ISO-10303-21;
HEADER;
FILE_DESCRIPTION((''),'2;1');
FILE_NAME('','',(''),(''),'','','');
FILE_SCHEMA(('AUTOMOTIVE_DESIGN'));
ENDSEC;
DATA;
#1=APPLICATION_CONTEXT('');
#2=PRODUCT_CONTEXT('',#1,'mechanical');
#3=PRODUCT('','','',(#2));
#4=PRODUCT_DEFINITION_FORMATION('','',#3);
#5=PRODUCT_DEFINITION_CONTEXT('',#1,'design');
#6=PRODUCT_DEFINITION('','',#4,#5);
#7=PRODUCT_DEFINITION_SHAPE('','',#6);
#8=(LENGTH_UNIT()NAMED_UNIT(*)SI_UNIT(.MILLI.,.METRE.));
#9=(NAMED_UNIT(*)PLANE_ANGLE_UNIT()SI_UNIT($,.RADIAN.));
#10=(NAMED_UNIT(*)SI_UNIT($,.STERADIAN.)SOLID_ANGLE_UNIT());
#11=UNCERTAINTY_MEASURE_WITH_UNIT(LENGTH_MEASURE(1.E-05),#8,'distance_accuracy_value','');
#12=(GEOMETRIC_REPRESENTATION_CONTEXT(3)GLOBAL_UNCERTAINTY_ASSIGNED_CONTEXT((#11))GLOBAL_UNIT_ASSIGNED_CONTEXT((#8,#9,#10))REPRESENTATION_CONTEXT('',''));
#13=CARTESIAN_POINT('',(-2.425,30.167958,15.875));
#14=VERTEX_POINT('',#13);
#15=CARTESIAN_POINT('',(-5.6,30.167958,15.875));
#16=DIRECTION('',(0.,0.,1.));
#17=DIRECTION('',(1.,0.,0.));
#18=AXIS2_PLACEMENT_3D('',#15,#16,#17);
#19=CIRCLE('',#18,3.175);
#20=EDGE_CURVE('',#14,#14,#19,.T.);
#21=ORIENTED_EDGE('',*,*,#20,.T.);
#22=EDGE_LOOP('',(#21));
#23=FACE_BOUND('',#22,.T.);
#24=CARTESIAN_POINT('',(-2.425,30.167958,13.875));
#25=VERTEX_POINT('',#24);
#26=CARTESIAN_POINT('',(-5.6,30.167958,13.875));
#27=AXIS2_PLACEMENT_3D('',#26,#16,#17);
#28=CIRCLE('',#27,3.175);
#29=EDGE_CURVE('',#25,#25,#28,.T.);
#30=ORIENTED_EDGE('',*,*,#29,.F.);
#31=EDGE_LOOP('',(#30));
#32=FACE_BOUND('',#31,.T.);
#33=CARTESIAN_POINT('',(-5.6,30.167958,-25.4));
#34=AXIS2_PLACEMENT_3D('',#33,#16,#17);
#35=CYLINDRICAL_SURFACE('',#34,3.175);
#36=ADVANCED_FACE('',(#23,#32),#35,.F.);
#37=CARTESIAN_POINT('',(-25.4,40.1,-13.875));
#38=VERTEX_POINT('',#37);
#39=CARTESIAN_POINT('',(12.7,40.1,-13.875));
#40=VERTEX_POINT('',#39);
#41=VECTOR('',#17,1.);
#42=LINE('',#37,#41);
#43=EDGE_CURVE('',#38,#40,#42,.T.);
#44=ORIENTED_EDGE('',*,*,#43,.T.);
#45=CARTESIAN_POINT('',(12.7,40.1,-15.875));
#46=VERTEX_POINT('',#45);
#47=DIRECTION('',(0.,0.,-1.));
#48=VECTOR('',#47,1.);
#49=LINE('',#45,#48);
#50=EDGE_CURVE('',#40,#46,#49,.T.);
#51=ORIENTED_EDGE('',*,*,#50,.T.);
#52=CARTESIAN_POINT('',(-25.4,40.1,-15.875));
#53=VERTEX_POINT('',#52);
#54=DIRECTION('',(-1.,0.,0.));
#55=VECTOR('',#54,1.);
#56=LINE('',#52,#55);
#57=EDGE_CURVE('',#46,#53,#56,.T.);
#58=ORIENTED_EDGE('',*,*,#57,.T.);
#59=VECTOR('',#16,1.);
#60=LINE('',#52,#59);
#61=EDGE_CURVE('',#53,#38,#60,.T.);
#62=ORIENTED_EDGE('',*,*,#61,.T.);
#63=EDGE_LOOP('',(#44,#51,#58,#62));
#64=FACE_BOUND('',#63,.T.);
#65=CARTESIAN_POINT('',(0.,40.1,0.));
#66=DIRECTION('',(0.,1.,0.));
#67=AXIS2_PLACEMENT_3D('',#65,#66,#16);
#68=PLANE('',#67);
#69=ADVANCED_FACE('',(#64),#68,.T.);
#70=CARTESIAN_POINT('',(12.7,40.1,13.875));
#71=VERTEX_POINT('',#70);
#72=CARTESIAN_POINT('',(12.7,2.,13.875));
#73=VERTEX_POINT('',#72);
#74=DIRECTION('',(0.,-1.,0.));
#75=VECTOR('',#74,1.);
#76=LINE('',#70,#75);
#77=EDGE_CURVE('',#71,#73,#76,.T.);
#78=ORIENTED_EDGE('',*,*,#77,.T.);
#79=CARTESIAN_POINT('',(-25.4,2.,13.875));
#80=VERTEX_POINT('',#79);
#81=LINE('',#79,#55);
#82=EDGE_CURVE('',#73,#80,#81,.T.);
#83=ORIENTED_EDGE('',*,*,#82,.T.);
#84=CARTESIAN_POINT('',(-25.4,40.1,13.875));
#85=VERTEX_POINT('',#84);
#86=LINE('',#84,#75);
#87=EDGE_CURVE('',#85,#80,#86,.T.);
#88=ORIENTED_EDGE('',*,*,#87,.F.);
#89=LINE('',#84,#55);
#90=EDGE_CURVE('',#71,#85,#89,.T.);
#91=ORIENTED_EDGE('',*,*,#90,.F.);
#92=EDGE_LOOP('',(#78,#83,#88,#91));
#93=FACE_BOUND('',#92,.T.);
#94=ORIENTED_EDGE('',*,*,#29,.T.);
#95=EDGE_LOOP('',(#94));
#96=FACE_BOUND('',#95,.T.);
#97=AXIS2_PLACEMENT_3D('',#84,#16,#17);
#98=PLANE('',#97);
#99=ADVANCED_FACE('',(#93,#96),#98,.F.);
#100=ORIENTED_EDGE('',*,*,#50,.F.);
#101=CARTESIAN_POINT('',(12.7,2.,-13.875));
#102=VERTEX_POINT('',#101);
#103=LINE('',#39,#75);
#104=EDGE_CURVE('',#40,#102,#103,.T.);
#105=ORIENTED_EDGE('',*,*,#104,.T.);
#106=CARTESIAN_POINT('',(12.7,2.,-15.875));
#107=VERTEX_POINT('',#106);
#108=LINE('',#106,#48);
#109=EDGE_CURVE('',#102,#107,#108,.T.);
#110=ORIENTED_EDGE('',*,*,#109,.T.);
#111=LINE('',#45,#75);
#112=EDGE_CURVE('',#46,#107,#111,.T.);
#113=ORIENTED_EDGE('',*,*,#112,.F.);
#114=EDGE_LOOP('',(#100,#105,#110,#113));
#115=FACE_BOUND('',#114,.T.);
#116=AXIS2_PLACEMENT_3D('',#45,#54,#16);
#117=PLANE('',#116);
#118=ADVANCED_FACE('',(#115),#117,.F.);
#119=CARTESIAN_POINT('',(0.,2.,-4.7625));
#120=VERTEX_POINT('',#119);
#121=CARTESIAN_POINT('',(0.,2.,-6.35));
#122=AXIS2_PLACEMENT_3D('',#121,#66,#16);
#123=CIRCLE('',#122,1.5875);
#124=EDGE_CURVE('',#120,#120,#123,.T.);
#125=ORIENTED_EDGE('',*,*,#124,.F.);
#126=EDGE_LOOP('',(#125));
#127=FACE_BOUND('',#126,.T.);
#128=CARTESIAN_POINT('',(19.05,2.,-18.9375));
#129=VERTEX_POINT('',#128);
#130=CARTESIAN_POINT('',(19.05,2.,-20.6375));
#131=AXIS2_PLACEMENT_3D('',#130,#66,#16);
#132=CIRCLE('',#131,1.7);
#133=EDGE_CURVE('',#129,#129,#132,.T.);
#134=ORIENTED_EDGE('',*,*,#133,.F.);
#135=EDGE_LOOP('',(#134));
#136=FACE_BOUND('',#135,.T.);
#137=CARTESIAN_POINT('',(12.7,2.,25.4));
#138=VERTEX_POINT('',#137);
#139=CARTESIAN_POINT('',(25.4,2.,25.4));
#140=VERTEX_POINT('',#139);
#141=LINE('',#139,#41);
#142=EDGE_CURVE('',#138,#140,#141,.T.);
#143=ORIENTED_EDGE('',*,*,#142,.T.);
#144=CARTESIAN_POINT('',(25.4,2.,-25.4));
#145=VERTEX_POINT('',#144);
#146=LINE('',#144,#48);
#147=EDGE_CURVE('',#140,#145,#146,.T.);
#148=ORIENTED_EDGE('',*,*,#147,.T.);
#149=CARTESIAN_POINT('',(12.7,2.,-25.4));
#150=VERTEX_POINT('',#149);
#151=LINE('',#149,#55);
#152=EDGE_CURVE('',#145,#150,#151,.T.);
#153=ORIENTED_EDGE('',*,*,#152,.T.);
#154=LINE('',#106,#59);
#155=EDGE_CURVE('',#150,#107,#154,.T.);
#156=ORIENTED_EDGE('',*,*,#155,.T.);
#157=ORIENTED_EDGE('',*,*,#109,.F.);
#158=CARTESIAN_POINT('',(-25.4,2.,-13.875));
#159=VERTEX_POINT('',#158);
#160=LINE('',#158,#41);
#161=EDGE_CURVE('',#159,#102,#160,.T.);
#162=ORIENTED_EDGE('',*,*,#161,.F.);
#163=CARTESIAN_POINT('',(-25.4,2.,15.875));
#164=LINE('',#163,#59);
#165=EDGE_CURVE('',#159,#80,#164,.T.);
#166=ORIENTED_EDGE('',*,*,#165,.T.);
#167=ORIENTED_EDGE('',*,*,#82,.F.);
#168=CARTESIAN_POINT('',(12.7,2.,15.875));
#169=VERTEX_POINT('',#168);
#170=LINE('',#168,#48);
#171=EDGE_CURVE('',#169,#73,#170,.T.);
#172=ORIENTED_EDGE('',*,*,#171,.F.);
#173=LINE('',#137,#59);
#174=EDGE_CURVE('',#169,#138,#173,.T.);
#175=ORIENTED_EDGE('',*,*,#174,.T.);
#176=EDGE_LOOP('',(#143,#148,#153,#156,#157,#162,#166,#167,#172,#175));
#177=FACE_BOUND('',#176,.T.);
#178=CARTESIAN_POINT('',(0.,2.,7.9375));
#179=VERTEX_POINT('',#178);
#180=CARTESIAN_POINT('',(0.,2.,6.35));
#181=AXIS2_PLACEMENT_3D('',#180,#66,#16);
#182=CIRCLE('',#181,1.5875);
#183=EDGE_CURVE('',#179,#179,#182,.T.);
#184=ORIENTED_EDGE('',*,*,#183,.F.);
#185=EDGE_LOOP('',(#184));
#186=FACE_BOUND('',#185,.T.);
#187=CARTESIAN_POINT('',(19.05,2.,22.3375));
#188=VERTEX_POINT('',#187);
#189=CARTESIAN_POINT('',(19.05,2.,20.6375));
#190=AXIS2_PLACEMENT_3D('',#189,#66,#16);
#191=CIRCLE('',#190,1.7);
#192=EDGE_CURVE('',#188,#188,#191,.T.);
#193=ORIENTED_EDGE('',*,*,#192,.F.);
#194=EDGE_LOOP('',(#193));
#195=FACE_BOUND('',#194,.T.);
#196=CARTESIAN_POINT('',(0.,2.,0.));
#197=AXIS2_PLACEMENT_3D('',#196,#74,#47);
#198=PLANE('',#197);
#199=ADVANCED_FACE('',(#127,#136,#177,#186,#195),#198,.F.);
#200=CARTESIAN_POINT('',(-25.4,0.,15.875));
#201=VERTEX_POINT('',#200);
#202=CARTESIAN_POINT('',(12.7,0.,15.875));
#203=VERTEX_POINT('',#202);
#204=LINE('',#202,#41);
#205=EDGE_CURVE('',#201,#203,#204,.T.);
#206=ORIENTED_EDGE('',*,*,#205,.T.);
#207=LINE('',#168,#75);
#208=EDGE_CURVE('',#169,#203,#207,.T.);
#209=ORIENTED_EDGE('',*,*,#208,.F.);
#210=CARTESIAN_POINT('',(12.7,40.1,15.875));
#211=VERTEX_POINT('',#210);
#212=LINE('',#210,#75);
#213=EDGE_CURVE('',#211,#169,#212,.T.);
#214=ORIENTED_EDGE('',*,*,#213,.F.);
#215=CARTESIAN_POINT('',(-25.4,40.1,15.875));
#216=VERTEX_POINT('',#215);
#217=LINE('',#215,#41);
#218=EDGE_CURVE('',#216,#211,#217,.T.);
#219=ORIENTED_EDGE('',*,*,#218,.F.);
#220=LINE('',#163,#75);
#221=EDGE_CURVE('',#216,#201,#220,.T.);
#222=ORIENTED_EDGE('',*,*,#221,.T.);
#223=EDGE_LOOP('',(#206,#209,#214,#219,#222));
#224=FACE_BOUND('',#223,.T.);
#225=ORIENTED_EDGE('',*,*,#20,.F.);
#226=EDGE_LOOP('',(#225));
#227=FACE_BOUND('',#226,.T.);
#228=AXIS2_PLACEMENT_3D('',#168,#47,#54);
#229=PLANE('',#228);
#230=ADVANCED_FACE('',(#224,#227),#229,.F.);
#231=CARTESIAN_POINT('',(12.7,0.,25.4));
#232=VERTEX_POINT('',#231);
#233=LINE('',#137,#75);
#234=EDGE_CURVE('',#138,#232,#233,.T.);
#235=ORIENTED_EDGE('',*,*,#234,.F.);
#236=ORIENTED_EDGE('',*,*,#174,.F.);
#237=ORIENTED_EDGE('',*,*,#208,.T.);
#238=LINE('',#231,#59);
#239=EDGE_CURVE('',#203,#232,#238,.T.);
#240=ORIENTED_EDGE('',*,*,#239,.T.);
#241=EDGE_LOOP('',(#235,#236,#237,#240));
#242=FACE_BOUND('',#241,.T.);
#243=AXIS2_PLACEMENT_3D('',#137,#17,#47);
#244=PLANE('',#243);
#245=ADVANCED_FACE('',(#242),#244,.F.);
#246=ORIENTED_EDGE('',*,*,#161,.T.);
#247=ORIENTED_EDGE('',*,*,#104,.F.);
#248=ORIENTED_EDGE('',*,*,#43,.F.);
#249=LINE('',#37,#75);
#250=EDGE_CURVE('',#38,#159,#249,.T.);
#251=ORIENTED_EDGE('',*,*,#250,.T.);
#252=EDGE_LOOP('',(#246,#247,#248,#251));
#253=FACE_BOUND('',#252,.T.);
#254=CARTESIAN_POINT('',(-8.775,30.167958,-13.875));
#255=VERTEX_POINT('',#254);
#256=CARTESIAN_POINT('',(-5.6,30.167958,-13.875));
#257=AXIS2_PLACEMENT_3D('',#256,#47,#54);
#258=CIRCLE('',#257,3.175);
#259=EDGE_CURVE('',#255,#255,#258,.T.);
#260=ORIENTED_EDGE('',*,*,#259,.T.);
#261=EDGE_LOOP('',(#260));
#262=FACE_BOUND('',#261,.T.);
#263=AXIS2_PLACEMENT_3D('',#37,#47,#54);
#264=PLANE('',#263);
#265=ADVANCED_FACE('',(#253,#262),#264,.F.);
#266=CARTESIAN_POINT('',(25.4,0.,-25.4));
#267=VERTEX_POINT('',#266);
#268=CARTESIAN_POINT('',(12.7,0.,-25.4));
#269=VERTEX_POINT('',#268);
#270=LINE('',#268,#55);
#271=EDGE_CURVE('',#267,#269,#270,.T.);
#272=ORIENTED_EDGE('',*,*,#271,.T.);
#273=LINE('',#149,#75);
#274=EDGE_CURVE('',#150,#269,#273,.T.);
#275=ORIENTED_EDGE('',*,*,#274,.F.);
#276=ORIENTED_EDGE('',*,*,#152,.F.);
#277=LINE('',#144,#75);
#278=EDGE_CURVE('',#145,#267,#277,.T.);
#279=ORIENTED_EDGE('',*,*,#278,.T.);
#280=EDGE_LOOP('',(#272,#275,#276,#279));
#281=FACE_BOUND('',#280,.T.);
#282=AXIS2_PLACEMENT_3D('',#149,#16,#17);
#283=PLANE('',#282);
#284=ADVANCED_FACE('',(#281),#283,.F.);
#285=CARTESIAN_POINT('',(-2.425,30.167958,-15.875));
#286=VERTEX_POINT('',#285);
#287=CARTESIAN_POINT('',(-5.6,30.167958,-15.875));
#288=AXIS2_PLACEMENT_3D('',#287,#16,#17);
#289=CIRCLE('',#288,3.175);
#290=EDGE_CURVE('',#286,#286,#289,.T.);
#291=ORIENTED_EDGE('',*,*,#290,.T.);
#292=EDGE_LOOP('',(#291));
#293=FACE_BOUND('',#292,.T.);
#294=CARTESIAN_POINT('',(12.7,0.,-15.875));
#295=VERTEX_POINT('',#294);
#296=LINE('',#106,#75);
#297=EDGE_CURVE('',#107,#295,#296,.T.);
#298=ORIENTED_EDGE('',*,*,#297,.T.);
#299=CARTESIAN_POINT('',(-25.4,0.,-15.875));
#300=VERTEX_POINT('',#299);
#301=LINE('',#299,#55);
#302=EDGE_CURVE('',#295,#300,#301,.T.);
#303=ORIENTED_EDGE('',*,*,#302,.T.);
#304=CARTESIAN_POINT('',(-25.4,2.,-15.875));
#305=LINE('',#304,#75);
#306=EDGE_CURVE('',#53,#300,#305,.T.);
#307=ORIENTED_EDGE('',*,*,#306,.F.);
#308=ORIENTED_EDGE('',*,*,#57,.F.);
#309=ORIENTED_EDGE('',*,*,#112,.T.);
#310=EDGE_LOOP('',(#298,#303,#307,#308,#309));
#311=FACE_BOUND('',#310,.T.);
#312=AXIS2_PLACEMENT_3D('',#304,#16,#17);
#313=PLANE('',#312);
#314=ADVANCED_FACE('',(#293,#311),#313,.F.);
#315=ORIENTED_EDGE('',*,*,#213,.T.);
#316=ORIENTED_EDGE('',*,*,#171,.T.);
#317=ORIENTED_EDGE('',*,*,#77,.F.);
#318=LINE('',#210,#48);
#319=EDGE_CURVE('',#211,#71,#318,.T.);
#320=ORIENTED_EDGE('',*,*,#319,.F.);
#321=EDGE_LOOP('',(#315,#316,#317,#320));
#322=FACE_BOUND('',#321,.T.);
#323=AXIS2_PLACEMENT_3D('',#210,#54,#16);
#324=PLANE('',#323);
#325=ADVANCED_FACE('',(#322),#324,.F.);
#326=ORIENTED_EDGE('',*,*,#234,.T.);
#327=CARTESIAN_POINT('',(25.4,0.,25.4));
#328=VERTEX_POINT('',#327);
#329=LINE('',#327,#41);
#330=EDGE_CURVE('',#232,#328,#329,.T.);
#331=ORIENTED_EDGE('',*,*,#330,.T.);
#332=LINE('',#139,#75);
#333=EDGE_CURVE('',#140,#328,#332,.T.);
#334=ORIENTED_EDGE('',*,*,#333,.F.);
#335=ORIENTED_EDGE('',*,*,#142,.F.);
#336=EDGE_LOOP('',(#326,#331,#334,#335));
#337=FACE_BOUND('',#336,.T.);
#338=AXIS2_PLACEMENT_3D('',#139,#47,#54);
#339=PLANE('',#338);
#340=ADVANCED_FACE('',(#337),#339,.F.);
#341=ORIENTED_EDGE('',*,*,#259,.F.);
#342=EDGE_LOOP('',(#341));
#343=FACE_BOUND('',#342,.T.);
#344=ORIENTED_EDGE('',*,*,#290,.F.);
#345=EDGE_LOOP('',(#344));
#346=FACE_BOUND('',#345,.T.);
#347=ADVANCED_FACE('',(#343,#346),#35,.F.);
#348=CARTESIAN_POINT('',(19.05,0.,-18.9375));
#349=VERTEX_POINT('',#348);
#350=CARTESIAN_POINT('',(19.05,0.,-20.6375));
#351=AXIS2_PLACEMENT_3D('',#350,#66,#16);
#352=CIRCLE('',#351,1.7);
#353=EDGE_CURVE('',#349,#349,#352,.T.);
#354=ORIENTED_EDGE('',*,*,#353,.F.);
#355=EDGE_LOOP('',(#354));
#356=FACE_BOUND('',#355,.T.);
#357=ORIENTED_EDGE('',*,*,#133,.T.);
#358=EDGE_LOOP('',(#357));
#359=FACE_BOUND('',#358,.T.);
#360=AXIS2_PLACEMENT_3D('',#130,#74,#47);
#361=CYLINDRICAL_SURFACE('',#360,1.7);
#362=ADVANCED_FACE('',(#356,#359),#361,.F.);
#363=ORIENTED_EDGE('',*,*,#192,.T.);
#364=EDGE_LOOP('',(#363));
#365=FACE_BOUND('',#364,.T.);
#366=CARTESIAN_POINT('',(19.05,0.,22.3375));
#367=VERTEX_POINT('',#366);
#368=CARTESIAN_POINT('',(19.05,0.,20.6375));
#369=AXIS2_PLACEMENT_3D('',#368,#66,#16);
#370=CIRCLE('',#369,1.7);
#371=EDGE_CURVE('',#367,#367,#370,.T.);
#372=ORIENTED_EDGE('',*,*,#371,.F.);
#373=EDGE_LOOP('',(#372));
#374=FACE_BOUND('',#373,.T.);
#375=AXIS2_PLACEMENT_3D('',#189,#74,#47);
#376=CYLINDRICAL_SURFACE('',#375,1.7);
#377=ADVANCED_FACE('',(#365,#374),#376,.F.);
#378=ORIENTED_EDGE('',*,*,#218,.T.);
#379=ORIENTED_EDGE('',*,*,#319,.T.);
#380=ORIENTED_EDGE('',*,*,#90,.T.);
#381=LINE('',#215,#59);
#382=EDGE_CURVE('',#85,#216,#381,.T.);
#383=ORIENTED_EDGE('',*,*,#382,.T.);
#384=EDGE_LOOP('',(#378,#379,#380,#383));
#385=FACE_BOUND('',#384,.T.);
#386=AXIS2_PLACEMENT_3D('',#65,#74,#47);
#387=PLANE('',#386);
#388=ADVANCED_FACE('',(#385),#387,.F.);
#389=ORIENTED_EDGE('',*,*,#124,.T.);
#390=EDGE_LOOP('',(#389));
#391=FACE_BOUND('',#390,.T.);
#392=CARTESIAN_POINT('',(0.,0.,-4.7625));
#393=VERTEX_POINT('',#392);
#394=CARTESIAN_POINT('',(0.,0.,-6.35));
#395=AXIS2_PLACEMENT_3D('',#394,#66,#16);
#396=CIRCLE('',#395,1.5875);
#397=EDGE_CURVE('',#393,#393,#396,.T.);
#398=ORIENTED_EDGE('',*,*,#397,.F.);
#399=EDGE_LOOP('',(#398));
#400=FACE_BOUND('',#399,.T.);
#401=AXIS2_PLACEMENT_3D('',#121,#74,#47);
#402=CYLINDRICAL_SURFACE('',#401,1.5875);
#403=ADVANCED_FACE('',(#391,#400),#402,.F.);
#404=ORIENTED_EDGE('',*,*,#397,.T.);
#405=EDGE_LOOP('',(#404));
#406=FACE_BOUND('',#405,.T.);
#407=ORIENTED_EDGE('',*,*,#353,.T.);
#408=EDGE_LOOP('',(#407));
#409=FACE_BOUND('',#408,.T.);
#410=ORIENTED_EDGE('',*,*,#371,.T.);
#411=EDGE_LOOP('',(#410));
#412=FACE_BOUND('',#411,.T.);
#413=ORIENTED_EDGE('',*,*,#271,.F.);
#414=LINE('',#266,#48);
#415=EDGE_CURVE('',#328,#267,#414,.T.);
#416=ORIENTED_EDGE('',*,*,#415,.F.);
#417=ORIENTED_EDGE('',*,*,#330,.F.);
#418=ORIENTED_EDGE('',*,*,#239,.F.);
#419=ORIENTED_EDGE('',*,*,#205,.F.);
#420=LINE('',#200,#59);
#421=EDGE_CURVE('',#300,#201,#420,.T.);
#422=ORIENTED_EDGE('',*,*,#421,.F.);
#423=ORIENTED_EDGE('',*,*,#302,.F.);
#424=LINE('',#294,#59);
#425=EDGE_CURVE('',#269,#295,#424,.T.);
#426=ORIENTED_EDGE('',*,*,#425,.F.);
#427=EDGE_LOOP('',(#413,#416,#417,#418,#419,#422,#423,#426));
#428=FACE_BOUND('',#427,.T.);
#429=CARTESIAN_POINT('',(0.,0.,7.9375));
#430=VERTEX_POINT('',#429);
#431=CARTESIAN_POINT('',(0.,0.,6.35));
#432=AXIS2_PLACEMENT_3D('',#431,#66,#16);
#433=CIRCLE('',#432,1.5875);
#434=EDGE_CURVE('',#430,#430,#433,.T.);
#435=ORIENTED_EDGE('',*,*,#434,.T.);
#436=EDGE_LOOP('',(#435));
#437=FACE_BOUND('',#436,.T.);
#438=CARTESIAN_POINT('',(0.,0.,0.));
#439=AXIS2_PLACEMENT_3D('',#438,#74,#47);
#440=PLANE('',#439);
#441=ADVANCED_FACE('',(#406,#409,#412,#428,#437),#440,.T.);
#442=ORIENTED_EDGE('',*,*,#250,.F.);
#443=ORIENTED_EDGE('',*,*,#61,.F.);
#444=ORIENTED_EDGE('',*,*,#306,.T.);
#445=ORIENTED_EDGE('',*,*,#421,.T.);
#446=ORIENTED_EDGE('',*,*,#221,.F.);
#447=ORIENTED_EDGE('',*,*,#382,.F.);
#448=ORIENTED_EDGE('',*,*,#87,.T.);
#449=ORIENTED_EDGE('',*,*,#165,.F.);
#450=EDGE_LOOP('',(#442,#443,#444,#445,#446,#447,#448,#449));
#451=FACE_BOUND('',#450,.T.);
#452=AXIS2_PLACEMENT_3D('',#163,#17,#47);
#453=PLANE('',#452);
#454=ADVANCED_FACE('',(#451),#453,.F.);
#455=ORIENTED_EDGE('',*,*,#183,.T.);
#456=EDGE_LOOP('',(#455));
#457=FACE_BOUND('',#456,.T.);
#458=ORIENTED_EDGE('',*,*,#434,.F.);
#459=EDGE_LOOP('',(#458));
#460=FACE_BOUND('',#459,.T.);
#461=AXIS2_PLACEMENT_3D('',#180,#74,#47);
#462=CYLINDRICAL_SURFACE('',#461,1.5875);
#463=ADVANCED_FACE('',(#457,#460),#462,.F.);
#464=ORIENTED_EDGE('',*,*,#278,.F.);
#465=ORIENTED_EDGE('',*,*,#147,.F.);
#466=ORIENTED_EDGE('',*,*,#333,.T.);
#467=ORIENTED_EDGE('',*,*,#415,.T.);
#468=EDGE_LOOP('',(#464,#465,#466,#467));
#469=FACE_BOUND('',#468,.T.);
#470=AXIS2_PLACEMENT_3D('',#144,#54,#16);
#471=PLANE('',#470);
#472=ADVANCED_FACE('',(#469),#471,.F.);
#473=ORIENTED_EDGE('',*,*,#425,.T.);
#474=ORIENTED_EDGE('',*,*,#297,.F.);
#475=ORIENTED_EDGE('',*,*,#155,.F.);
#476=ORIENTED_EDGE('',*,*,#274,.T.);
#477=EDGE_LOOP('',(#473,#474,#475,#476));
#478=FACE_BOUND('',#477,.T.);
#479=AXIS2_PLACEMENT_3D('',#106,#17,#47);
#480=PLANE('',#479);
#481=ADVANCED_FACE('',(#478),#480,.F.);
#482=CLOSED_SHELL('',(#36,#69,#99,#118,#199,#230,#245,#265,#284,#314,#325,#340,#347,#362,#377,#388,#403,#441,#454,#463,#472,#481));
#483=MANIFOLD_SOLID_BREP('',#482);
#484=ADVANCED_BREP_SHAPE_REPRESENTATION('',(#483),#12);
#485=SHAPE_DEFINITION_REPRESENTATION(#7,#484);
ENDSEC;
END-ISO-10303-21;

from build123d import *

# Parameters (mm, degrees)
SKETCH1_R           = 1.7
SKETCH1_R_2         = 1.5875
BOSS_EXTRUDE1_DEPTH = 2
SKETCH2_W           = 38.1
SKETCH2_H           = 2
BOSS_EXTRUDE2_DEPTH = 38.1
SKETCH3_R           = 3.175
CUT_EXTRUDE1_DEPTH  = 63.903065307


with BuildPart() as part:
    # Sketch1 → Boss-Extrude1 (new body)
    with BuildSketch(Plane(origin=(0, 0, 0), x_dir=(1, 0, 0), z_dir=(0, 1, 0))):
        Polygon((-25.4, 15.875), (12.7, 15.875), (12.7, 25.4), (25.4, 25.4), (25.4, -25.4), (12.7, -25.4), (12.7, -15.875), (-25.4, -15.875), align=None)
        with Locations(Location((19.05, 20.6375, 0), (0, 0, 270))):
            Circle(SKETCH1_R, mode=Mode.SUBTRACT)
        with Locations(Location((19.05, -20.6375, 0), (0, 0, 270))):
            Circle(SKETCH1_R, mode=Mode.SUBTRACT)
        with Locations(Location((0, 6.35, 0), (0, 0, 270))):
            Circle(SKETCH1_R_2, mode=Mode.SUBTRACT)
        with Locations(Location((0, -6.35, 0), (0, 0, 270))):
            Circle(SKETCH1_R_2, mode=Mode.SUBTRACT)
    extrude(amount=BOSS_EXTRUDE1_DEPTH)

    # Sketch2 → Boss-Extrude2 (add)
    with BuildSketch(Plane(origin=(0, 2, 0), x_dir=(1, 0, 0), z_dir=(0, 1, 0))):
        with Locations((-6.35, 14.875)):
            Rectangle(SKETCH2_W, SKETCH2_H)
        with Locations((-6.35, -14.875)):
            Rectangle(SKETCH2_W, SKETCH2_H)
    extrude(amount=BOSS_EXTRUDE2_DEPTH)

    # Sketch3 → Cut-Extrude1 (cut, through all)
    with BuildSketch(Plane.XY.offset(15.875)):
        with Locations((-5.6, 30.16795818)):
            Circle(SKETCH3_R)
    extrude(amount=-CUT_EXTRUDE1_DEPTH, mode=Mode.SUBTRACT)


solid = part.part
